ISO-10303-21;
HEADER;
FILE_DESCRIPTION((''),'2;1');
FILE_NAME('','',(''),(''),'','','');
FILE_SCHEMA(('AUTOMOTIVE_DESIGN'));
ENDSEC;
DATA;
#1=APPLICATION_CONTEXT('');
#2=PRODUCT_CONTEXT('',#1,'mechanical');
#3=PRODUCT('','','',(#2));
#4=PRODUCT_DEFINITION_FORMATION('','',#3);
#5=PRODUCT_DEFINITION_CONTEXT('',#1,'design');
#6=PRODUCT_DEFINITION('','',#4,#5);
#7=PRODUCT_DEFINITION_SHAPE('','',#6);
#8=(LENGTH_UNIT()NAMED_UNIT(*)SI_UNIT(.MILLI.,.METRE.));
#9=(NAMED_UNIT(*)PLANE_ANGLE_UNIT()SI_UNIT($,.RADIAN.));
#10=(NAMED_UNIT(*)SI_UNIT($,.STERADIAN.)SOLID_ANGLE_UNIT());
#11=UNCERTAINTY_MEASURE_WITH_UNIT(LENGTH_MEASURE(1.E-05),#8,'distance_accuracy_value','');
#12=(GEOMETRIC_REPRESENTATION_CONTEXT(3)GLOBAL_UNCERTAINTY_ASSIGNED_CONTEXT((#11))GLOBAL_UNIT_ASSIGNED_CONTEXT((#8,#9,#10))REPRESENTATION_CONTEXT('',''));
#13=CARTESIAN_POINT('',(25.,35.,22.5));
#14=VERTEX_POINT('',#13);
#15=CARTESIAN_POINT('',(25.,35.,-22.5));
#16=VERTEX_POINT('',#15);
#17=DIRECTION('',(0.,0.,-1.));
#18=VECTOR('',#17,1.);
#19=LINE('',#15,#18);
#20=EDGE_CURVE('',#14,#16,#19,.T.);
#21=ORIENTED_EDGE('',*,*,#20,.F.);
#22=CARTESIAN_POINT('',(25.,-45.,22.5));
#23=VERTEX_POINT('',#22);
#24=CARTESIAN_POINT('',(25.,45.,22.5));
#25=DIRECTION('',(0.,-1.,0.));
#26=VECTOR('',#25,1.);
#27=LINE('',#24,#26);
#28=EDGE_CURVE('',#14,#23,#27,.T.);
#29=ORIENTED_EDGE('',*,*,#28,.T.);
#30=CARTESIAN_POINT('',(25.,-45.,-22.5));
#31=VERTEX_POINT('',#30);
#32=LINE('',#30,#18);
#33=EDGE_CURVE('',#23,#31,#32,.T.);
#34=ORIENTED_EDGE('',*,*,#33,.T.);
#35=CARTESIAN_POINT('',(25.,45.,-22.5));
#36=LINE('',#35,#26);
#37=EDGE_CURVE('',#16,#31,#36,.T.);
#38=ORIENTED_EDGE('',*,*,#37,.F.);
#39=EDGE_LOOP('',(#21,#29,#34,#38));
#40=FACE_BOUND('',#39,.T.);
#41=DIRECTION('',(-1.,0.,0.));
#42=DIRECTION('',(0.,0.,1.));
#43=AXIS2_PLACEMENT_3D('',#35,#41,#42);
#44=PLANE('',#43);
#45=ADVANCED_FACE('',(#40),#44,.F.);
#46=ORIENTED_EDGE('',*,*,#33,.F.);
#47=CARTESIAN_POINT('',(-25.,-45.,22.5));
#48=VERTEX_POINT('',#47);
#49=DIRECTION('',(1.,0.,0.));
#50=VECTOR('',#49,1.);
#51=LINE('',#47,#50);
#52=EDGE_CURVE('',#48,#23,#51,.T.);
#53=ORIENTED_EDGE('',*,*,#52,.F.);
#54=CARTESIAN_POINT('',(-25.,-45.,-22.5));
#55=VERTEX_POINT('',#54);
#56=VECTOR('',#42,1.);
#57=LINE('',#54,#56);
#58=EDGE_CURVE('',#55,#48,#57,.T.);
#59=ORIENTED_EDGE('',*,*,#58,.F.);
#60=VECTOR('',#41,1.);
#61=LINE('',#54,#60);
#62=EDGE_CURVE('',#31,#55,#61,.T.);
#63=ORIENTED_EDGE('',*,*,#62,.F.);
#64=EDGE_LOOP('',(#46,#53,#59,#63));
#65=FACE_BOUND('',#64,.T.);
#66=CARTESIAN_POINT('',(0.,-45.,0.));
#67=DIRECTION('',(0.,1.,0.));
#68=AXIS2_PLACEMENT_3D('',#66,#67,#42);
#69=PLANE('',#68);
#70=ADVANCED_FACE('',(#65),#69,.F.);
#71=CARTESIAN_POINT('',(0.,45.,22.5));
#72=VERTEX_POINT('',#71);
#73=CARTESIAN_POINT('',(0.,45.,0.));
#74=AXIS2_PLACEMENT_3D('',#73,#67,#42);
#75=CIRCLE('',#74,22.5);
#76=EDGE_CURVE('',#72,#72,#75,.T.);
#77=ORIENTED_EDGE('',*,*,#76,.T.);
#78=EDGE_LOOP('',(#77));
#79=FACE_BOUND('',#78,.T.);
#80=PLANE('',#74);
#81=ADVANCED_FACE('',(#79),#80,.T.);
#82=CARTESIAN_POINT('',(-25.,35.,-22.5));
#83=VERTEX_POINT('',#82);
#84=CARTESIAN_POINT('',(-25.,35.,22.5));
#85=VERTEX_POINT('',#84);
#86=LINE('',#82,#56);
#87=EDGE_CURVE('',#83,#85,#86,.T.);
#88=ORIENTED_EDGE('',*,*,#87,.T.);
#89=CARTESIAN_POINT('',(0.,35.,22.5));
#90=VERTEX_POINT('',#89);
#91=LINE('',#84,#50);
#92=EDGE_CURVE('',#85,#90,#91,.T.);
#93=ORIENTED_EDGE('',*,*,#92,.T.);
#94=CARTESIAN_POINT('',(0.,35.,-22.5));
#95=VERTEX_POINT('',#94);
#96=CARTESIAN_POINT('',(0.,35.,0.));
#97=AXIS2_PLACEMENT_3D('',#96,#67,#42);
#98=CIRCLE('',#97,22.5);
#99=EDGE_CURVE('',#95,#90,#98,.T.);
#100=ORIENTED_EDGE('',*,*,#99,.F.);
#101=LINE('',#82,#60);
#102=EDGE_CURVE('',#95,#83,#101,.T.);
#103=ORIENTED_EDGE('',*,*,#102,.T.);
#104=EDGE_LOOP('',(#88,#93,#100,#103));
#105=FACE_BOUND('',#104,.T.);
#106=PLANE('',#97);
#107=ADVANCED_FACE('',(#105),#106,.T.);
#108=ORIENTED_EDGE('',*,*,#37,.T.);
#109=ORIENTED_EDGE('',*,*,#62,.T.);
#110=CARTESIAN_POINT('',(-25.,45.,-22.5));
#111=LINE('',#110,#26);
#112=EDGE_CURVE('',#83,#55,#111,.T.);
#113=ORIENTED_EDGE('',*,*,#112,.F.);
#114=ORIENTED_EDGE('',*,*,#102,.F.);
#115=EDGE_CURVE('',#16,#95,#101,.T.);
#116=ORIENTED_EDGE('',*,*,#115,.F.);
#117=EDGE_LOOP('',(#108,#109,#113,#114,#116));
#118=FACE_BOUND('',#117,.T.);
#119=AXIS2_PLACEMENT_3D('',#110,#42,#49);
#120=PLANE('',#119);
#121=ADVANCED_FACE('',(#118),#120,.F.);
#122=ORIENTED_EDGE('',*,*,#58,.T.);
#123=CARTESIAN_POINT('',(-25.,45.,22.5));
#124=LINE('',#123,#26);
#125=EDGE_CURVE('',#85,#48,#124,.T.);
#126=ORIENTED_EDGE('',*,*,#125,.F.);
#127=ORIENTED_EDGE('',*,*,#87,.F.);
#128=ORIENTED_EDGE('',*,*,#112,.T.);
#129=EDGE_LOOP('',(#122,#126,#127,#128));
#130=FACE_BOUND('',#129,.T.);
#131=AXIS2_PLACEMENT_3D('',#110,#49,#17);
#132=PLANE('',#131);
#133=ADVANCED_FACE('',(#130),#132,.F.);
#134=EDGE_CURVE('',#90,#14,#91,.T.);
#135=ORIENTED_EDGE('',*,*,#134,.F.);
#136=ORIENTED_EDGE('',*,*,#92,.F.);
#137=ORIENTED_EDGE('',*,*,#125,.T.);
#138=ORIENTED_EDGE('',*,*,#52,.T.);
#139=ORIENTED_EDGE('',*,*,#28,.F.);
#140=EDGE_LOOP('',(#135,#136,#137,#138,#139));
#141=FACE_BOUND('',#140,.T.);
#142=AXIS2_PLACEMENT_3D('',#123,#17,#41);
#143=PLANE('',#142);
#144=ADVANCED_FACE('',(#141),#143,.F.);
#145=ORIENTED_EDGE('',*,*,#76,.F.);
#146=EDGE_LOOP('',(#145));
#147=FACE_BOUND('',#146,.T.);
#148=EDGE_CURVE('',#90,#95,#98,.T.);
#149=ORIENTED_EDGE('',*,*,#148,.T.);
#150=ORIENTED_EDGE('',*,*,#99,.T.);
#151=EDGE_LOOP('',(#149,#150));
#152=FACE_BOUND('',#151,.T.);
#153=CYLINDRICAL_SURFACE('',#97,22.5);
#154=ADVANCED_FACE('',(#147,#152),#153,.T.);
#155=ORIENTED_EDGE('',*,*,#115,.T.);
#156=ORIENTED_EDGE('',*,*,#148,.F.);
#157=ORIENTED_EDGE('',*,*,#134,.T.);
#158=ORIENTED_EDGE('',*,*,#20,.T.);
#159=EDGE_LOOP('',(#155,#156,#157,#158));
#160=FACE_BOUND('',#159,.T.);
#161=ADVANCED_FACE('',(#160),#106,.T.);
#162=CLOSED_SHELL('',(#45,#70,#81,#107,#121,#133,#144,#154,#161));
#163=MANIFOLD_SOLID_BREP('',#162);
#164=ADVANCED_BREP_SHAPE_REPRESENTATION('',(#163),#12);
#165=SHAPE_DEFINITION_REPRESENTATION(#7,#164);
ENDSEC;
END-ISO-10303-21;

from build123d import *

# Parameters (mm, degrees)
SKETCH1_W           = 50
SKETCH1_H           = 45
BOSS_EXTRUDE1_DEPTH = 45
SKETCH2_OUTSIDE_W   = 74.472
SKETCH2_OUTSIDE_H   = 69.472
SKETCH2_OUTSIDE_R   = 22.5
CUT_EXTRUDE1_DEPTH  = 10


with BuildPart() as part:
    # Sketch1 → Boss-Extrude1 (new body, symmetric)
    with BuildSketch(Plane(origin=(0, 0, 0), x_dir=(1, 0, 0), z_dir=(0, 1, 0))):
        Rectangle(SKETCH1_W, SKETCH1_H)
    extrude(amount=BOSS_EXTRUDE1_DEPTH, both=True)

    # Sketch2 outside → Cut-Extrude1 (cut, symmetric)
    with BuildSketch(Plane(origin=(0, 45, 0), x_dir=(1, 0, 0), z_dir=(0, 1, 0))):
        Rectangle(SKETCH2_OUTSIDE_W, SKETCH2_OUTSIDE_H)
        Circle(SKETCH2_OUTSIDE_R, mode=Mode.SUBTRACT)
    extrude(amount=CUT_EXTRUDE1_DEPTH, both=True, mode=Mode.SUBTRACT)


solid = part.part
